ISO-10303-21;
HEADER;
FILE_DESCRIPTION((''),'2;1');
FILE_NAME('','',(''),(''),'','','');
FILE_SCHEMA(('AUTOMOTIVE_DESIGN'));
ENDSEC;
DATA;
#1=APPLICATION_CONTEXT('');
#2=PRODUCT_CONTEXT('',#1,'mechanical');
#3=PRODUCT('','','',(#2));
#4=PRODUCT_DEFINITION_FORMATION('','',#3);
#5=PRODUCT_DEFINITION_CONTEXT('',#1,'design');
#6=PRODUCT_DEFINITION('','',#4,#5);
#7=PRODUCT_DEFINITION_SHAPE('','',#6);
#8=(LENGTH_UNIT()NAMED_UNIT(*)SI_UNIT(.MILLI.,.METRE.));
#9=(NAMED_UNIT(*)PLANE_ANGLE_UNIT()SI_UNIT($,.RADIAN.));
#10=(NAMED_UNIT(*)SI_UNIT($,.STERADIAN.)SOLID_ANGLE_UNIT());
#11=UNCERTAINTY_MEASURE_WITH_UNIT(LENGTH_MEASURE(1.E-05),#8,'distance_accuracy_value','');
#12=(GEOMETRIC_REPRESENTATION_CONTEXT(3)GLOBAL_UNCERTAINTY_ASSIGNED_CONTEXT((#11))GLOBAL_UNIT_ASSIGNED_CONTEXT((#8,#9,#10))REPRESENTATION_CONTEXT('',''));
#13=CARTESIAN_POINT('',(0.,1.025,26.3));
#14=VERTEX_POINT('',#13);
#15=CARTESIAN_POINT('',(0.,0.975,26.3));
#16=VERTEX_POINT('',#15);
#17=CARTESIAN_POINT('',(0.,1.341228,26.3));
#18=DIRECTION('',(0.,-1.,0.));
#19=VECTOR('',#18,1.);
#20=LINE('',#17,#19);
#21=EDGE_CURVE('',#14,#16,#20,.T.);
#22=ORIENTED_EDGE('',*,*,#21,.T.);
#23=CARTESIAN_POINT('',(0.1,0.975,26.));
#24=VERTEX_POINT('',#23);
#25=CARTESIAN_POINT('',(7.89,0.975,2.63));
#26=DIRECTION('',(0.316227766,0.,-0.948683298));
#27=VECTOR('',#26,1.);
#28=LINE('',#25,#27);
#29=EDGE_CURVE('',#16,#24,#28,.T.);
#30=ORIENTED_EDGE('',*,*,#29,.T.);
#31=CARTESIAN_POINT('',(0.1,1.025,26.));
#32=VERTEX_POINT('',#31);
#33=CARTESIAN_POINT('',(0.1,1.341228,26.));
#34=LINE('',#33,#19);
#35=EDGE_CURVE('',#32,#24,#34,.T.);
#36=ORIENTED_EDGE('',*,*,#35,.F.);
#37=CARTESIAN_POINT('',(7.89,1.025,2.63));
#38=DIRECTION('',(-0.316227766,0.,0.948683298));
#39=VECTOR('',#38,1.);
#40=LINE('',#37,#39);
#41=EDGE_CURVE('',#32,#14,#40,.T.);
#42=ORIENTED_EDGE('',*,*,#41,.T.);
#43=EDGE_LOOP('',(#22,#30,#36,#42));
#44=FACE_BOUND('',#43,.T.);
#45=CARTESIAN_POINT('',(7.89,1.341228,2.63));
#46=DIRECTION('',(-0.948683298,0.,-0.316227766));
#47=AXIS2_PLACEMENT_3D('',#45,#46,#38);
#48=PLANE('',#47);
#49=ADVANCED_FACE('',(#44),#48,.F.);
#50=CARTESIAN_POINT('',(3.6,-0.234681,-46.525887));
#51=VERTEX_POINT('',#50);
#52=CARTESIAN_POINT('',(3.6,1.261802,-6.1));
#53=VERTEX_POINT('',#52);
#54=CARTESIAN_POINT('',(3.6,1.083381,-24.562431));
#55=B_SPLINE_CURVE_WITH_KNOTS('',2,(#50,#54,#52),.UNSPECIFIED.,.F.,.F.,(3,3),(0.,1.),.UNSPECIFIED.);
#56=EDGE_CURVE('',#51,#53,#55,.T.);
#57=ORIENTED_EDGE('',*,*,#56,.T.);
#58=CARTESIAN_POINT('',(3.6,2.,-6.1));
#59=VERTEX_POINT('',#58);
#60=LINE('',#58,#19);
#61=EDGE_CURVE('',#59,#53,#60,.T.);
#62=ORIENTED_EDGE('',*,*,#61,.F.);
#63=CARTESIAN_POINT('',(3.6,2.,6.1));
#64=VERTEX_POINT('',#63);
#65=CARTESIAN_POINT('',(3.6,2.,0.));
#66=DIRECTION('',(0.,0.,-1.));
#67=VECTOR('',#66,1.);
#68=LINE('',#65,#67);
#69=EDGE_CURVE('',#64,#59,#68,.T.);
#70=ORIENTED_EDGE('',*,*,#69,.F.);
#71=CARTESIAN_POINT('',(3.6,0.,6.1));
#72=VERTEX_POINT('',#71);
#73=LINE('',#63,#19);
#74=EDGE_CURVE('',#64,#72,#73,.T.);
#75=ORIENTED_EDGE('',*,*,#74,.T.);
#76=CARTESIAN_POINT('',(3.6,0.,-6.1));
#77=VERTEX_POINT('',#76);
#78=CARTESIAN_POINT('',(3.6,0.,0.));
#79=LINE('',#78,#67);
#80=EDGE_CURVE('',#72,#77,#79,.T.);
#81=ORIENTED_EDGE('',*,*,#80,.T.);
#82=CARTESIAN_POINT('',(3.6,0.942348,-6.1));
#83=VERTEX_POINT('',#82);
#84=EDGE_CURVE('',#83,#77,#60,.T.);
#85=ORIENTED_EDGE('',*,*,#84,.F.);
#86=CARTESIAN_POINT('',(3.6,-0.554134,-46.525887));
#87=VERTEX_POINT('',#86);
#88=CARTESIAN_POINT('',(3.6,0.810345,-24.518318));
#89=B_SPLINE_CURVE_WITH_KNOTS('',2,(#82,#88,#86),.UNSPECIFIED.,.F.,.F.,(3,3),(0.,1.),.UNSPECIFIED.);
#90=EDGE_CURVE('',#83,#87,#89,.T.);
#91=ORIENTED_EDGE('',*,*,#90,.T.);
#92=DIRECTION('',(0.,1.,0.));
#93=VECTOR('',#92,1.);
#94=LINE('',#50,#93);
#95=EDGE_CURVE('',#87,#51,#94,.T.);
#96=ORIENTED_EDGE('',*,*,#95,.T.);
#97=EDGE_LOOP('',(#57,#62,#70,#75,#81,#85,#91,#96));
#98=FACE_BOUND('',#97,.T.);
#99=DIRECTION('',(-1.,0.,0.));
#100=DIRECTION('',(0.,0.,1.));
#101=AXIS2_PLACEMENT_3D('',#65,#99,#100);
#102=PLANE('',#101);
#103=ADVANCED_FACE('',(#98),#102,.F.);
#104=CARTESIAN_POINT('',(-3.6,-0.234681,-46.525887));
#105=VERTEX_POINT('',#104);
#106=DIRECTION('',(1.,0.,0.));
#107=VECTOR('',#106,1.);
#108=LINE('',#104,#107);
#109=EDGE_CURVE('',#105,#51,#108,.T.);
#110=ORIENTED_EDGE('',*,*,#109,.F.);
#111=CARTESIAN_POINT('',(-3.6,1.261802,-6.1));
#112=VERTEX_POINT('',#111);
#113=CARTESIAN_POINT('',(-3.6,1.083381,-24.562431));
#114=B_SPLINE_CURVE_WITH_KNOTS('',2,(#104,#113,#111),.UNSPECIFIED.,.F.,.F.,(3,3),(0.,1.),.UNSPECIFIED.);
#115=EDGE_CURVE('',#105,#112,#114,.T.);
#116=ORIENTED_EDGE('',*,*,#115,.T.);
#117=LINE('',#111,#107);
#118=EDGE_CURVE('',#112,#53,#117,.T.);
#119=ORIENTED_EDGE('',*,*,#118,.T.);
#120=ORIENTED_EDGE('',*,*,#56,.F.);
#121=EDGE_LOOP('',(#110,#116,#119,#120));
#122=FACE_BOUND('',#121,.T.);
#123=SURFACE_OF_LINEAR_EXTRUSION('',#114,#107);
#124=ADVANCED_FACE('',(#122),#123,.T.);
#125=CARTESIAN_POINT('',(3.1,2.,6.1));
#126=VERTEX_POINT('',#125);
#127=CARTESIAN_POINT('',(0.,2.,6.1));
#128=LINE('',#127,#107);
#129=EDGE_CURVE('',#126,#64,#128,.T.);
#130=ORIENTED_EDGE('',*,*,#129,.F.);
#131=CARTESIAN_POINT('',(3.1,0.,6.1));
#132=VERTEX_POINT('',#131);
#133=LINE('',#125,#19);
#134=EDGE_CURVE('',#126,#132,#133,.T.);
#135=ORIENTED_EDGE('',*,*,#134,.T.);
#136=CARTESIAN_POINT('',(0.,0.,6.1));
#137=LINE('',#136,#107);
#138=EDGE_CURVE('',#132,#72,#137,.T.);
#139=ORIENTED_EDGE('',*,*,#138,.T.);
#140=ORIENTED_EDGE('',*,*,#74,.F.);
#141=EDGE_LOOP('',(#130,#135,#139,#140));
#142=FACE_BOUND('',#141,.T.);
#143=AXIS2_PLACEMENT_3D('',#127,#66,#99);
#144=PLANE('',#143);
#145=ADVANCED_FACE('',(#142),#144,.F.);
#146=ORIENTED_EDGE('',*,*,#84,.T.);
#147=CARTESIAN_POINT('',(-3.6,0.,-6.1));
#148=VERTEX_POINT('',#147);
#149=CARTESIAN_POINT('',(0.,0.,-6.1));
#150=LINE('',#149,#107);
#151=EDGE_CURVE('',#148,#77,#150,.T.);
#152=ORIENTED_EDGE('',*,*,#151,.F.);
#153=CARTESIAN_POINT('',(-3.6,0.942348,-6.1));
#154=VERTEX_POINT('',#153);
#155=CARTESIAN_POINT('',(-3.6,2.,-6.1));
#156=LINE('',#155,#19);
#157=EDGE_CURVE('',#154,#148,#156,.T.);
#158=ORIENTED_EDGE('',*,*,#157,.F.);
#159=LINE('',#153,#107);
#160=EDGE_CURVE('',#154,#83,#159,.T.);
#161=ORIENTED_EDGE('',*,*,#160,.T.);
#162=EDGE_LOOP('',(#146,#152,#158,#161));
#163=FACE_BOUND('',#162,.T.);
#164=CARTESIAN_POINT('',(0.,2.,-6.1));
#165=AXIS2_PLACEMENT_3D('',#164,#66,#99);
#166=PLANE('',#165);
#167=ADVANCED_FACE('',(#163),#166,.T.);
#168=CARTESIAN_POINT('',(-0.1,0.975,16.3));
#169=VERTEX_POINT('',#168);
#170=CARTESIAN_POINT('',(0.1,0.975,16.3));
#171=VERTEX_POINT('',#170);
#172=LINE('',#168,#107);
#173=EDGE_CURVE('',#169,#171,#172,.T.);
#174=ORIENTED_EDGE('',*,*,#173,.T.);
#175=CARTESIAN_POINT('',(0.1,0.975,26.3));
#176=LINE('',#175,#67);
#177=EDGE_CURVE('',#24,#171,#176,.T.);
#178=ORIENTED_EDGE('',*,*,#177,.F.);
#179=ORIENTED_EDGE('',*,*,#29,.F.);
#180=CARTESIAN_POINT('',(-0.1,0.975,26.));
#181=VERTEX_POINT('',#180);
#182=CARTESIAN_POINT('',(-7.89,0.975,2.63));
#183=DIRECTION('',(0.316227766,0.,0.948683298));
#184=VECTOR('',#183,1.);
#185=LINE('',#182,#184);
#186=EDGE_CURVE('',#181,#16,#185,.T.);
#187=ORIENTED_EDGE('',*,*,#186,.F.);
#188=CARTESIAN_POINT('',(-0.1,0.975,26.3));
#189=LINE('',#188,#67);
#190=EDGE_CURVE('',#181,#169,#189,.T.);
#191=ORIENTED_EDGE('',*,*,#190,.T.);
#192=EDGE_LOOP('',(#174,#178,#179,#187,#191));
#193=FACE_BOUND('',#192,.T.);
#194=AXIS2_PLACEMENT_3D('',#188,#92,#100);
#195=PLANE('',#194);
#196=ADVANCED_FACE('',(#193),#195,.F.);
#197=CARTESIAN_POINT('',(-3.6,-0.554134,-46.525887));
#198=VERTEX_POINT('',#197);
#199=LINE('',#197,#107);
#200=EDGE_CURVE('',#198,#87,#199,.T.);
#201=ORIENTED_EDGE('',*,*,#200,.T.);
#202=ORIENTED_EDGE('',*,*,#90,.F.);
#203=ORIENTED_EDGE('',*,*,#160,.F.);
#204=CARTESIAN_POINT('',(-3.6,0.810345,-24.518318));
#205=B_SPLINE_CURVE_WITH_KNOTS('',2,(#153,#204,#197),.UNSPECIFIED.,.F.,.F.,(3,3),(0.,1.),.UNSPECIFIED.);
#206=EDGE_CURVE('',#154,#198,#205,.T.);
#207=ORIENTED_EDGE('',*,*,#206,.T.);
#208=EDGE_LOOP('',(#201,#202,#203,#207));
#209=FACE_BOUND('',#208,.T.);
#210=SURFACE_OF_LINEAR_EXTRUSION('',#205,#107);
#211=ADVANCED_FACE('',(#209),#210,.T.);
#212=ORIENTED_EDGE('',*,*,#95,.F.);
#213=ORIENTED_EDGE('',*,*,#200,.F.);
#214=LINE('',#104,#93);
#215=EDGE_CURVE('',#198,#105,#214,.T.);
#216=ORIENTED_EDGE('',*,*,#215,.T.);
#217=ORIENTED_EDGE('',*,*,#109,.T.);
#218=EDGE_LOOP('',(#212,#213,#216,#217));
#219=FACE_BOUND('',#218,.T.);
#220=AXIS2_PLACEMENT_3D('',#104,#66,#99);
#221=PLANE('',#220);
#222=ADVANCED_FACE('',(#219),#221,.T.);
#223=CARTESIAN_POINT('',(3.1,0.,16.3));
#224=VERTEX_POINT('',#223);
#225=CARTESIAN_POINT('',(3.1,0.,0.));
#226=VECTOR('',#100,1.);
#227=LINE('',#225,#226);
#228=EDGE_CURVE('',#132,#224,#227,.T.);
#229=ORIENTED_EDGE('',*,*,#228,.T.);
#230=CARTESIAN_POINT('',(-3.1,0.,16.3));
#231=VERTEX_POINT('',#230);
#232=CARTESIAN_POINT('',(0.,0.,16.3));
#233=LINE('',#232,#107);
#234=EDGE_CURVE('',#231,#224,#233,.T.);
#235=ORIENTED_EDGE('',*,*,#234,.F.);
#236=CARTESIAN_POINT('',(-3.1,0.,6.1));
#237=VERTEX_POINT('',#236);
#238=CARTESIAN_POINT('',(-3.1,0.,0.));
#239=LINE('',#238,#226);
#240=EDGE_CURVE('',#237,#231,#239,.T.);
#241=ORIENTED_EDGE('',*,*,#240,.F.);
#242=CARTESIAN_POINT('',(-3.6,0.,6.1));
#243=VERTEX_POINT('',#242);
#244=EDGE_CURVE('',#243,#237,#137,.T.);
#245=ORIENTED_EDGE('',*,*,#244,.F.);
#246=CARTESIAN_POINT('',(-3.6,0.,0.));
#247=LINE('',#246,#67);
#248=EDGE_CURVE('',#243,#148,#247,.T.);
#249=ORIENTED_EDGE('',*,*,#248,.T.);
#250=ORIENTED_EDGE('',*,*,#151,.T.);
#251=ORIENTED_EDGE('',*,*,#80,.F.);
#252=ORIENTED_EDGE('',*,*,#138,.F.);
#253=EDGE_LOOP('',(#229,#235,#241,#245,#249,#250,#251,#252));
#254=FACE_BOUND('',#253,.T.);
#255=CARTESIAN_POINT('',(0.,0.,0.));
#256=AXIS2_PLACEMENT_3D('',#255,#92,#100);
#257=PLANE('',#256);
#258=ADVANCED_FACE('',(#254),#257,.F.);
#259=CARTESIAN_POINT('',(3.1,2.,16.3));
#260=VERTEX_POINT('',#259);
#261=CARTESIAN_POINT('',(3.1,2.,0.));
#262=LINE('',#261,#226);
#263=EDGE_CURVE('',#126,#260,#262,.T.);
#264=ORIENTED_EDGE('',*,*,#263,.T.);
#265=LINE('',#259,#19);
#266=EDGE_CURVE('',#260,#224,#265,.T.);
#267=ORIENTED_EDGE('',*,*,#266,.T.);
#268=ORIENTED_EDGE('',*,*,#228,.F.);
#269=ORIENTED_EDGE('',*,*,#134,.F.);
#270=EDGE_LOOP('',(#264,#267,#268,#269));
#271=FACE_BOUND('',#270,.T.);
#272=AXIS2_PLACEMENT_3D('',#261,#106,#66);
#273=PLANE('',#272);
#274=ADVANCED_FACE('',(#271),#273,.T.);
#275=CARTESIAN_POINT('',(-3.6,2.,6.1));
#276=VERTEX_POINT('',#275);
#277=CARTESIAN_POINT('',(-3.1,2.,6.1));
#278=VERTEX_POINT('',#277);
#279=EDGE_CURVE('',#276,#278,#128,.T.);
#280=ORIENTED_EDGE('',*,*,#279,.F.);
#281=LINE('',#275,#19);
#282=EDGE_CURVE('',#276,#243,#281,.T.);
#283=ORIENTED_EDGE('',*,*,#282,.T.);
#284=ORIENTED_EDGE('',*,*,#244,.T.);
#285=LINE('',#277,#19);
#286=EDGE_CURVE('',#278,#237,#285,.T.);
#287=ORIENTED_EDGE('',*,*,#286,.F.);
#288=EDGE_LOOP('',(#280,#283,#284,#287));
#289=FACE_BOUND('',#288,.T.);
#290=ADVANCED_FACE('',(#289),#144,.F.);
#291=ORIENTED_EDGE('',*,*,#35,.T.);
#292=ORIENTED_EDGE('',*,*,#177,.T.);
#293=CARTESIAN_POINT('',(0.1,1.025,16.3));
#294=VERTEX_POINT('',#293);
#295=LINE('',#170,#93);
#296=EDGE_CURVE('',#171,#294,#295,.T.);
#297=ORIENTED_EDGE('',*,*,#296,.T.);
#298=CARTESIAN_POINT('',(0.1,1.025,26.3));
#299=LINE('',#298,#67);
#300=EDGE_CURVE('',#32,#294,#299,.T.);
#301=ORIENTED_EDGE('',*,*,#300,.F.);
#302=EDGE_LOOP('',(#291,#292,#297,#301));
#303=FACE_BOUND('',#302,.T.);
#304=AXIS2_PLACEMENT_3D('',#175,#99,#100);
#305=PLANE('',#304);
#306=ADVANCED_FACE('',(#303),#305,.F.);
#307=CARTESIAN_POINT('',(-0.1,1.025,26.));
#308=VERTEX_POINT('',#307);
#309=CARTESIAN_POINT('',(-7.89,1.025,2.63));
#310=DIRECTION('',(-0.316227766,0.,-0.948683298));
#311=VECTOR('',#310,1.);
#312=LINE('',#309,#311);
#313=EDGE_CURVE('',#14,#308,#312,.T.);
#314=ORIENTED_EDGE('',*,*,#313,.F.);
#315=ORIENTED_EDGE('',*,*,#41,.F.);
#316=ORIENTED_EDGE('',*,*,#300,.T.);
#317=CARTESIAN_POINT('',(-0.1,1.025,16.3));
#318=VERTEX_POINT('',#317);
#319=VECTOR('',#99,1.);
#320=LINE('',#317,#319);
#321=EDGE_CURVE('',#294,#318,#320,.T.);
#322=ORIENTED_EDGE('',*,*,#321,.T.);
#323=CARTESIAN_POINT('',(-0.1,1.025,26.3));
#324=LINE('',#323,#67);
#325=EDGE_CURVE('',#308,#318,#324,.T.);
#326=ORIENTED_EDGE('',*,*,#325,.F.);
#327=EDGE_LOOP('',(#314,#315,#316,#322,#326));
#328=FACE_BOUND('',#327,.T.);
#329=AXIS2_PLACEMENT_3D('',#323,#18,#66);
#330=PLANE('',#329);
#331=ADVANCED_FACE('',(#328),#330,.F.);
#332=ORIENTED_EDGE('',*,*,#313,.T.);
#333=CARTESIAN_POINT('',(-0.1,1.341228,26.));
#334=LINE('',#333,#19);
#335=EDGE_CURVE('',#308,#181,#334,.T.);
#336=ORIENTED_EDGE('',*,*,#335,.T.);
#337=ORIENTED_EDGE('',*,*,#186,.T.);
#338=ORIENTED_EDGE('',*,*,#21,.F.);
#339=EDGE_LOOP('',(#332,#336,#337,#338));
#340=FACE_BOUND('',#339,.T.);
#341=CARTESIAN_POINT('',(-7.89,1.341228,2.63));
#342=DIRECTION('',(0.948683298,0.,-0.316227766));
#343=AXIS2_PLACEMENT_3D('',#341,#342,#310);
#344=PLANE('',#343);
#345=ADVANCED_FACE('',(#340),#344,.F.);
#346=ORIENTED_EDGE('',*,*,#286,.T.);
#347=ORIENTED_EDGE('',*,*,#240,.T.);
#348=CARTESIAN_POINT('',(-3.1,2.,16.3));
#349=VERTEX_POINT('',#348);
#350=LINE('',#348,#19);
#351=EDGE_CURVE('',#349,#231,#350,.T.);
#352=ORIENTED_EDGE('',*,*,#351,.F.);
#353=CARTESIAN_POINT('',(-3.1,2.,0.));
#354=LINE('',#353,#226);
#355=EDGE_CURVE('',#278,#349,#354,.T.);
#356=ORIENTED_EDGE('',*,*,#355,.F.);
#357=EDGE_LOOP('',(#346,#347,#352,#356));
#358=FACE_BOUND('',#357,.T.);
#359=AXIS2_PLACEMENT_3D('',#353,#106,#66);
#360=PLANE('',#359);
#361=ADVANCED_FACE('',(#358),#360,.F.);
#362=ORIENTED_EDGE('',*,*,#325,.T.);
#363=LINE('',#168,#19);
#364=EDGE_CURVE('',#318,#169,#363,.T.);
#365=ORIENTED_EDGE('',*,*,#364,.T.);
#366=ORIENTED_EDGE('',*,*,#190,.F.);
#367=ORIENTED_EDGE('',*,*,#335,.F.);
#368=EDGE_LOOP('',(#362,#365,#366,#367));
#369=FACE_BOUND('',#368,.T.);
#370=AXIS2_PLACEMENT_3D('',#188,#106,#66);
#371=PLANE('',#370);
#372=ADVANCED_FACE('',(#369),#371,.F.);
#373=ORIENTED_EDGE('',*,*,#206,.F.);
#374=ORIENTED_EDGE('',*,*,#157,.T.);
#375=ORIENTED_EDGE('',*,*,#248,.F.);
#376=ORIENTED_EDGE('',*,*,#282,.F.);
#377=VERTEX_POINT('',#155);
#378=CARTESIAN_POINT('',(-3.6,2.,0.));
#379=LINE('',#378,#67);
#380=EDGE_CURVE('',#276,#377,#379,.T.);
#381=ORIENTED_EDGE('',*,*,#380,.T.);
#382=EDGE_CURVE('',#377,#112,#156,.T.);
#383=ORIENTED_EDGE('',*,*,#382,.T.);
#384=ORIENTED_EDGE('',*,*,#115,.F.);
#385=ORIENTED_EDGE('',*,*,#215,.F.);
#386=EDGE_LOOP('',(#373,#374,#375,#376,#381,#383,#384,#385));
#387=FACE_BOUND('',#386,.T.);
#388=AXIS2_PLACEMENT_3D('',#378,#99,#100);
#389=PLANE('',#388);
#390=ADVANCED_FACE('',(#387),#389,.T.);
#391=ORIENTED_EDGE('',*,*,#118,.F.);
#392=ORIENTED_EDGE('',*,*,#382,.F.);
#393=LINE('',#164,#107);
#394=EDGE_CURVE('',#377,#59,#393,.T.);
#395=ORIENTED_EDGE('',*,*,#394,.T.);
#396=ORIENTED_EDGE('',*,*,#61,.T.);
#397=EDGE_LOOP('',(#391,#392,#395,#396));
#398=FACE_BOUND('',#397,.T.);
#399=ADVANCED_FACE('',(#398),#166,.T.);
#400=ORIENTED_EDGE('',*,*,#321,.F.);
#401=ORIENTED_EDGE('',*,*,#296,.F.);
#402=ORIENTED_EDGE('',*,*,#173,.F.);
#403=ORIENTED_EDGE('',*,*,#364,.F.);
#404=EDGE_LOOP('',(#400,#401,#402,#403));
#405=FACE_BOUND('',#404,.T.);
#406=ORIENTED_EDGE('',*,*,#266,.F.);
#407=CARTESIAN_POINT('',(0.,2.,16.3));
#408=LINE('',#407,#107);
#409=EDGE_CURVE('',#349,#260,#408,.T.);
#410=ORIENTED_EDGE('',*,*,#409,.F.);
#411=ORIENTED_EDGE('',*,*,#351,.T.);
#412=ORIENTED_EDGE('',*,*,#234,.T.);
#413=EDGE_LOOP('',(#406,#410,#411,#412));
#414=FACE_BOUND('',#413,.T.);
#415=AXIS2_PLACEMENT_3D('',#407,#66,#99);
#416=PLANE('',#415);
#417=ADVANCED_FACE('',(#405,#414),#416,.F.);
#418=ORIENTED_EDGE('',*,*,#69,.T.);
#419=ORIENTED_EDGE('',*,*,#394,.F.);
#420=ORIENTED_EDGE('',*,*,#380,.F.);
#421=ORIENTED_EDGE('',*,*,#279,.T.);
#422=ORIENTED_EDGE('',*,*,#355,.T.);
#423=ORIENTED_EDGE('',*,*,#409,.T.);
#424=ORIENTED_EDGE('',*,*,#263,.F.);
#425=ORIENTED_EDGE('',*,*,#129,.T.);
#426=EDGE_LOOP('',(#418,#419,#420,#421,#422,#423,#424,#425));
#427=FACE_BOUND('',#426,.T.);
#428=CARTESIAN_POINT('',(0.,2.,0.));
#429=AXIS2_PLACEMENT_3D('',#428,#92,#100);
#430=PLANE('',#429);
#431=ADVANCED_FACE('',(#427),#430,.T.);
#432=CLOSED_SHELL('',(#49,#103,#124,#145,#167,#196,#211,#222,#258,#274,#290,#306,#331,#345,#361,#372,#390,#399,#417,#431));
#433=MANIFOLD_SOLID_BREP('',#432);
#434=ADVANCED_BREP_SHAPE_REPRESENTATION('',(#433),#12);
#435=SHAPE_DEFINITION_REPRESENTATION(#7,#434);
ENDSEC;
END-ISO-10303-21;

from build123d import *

# Parameters (mm, degrees)
SKETCH1_W           = 6.2
SKETCH1_H           = 10.2
BOSS_EXTRUDE1_DEPTH = 2
SKETCH3_W           = 0.2
SKETCH3_H           = 0.05
BOSS_EXTRUDE3_DEPTH = 10
CUT_EXTRUDE1_DEPTH  = 0.05
BOSS_EXTRUDE4_DEPTH = 7.2


with BuildPart() as part:
    # Sketch1 → Boss-Extrude1 (new body)
    with BuildSketch(Plane(origin=(0, 0, 0), x_dir=(1, 0, 0), z_dir=(0, 1, 0))):
        Polygon((-3.6, -6.1), (-3.1, -6.1), (3.1, -6.1), (3.6, -6.1), (3.6, 6.1), (-3.6, 6.1), align=None)
        with Locations((0, -11.2)):
            Rectangle(SKETCH1_W, SKETCH1_H)
    extrude(amount=BOSS_EXTRUDE1_DEPTH)

    # Sketch3 → Boss-Extrude3 (add)
    with BuildSketch(Plane.XY.offset(16.3)):
        with Locations((0, 1)):
            Rectangle(SKETCH3_W, SKETCH3_H)
    extrude(amount=BOSS_EXTRUDE3_DEPTH)

    # Sketch4 → Cut-Extrude1 (cut)
    with BuildSketch(Plane.XZ.offset(-0.975)):
        Polygon((0.1, 26.3), (0, 26.3), (0.1, 26), align=None)
        Polygon((-0.1, 26.3), (-0.1, 26), (0, 26.3), align=None)
    extrude(amount=-CUT_EXTRUDE1_DEPTH, mode=Mode.SUBTRACT)

    # Sketch5 → Boss-Extrude4 (add)
    with BuildSketch(Plane(origin=(3.6, 0, 0), x_dir=(0, 0, -1), z_dir=(1, 0, 0))):
        with BuildLine():
            Line((6.1, 1.261801628), (6.1, 0.942348221))
            add(Edge.make_bspline(
                [(6.1, 0.942348221), (24.518318323, 0.810344541), (46.52588684, -0.554134336)],
                knots=[0, 0, 0, 1, 1, 1], degree=2))
            Line((46.52588684, -0.554134336), (46.52588684, -0.234680929))
            add(Edge.make_bspline(
                [(6.1, 1.261801628), (24.562430755, 1.083380731), (46.52588684, -0.234680929)],
                knots=[0, 0, 0, 1, 1, 1], degree=2))
        make_face()
    extrude(amount=-BOSS_EXTRUDE4_DEPTH)


solid = part.part
